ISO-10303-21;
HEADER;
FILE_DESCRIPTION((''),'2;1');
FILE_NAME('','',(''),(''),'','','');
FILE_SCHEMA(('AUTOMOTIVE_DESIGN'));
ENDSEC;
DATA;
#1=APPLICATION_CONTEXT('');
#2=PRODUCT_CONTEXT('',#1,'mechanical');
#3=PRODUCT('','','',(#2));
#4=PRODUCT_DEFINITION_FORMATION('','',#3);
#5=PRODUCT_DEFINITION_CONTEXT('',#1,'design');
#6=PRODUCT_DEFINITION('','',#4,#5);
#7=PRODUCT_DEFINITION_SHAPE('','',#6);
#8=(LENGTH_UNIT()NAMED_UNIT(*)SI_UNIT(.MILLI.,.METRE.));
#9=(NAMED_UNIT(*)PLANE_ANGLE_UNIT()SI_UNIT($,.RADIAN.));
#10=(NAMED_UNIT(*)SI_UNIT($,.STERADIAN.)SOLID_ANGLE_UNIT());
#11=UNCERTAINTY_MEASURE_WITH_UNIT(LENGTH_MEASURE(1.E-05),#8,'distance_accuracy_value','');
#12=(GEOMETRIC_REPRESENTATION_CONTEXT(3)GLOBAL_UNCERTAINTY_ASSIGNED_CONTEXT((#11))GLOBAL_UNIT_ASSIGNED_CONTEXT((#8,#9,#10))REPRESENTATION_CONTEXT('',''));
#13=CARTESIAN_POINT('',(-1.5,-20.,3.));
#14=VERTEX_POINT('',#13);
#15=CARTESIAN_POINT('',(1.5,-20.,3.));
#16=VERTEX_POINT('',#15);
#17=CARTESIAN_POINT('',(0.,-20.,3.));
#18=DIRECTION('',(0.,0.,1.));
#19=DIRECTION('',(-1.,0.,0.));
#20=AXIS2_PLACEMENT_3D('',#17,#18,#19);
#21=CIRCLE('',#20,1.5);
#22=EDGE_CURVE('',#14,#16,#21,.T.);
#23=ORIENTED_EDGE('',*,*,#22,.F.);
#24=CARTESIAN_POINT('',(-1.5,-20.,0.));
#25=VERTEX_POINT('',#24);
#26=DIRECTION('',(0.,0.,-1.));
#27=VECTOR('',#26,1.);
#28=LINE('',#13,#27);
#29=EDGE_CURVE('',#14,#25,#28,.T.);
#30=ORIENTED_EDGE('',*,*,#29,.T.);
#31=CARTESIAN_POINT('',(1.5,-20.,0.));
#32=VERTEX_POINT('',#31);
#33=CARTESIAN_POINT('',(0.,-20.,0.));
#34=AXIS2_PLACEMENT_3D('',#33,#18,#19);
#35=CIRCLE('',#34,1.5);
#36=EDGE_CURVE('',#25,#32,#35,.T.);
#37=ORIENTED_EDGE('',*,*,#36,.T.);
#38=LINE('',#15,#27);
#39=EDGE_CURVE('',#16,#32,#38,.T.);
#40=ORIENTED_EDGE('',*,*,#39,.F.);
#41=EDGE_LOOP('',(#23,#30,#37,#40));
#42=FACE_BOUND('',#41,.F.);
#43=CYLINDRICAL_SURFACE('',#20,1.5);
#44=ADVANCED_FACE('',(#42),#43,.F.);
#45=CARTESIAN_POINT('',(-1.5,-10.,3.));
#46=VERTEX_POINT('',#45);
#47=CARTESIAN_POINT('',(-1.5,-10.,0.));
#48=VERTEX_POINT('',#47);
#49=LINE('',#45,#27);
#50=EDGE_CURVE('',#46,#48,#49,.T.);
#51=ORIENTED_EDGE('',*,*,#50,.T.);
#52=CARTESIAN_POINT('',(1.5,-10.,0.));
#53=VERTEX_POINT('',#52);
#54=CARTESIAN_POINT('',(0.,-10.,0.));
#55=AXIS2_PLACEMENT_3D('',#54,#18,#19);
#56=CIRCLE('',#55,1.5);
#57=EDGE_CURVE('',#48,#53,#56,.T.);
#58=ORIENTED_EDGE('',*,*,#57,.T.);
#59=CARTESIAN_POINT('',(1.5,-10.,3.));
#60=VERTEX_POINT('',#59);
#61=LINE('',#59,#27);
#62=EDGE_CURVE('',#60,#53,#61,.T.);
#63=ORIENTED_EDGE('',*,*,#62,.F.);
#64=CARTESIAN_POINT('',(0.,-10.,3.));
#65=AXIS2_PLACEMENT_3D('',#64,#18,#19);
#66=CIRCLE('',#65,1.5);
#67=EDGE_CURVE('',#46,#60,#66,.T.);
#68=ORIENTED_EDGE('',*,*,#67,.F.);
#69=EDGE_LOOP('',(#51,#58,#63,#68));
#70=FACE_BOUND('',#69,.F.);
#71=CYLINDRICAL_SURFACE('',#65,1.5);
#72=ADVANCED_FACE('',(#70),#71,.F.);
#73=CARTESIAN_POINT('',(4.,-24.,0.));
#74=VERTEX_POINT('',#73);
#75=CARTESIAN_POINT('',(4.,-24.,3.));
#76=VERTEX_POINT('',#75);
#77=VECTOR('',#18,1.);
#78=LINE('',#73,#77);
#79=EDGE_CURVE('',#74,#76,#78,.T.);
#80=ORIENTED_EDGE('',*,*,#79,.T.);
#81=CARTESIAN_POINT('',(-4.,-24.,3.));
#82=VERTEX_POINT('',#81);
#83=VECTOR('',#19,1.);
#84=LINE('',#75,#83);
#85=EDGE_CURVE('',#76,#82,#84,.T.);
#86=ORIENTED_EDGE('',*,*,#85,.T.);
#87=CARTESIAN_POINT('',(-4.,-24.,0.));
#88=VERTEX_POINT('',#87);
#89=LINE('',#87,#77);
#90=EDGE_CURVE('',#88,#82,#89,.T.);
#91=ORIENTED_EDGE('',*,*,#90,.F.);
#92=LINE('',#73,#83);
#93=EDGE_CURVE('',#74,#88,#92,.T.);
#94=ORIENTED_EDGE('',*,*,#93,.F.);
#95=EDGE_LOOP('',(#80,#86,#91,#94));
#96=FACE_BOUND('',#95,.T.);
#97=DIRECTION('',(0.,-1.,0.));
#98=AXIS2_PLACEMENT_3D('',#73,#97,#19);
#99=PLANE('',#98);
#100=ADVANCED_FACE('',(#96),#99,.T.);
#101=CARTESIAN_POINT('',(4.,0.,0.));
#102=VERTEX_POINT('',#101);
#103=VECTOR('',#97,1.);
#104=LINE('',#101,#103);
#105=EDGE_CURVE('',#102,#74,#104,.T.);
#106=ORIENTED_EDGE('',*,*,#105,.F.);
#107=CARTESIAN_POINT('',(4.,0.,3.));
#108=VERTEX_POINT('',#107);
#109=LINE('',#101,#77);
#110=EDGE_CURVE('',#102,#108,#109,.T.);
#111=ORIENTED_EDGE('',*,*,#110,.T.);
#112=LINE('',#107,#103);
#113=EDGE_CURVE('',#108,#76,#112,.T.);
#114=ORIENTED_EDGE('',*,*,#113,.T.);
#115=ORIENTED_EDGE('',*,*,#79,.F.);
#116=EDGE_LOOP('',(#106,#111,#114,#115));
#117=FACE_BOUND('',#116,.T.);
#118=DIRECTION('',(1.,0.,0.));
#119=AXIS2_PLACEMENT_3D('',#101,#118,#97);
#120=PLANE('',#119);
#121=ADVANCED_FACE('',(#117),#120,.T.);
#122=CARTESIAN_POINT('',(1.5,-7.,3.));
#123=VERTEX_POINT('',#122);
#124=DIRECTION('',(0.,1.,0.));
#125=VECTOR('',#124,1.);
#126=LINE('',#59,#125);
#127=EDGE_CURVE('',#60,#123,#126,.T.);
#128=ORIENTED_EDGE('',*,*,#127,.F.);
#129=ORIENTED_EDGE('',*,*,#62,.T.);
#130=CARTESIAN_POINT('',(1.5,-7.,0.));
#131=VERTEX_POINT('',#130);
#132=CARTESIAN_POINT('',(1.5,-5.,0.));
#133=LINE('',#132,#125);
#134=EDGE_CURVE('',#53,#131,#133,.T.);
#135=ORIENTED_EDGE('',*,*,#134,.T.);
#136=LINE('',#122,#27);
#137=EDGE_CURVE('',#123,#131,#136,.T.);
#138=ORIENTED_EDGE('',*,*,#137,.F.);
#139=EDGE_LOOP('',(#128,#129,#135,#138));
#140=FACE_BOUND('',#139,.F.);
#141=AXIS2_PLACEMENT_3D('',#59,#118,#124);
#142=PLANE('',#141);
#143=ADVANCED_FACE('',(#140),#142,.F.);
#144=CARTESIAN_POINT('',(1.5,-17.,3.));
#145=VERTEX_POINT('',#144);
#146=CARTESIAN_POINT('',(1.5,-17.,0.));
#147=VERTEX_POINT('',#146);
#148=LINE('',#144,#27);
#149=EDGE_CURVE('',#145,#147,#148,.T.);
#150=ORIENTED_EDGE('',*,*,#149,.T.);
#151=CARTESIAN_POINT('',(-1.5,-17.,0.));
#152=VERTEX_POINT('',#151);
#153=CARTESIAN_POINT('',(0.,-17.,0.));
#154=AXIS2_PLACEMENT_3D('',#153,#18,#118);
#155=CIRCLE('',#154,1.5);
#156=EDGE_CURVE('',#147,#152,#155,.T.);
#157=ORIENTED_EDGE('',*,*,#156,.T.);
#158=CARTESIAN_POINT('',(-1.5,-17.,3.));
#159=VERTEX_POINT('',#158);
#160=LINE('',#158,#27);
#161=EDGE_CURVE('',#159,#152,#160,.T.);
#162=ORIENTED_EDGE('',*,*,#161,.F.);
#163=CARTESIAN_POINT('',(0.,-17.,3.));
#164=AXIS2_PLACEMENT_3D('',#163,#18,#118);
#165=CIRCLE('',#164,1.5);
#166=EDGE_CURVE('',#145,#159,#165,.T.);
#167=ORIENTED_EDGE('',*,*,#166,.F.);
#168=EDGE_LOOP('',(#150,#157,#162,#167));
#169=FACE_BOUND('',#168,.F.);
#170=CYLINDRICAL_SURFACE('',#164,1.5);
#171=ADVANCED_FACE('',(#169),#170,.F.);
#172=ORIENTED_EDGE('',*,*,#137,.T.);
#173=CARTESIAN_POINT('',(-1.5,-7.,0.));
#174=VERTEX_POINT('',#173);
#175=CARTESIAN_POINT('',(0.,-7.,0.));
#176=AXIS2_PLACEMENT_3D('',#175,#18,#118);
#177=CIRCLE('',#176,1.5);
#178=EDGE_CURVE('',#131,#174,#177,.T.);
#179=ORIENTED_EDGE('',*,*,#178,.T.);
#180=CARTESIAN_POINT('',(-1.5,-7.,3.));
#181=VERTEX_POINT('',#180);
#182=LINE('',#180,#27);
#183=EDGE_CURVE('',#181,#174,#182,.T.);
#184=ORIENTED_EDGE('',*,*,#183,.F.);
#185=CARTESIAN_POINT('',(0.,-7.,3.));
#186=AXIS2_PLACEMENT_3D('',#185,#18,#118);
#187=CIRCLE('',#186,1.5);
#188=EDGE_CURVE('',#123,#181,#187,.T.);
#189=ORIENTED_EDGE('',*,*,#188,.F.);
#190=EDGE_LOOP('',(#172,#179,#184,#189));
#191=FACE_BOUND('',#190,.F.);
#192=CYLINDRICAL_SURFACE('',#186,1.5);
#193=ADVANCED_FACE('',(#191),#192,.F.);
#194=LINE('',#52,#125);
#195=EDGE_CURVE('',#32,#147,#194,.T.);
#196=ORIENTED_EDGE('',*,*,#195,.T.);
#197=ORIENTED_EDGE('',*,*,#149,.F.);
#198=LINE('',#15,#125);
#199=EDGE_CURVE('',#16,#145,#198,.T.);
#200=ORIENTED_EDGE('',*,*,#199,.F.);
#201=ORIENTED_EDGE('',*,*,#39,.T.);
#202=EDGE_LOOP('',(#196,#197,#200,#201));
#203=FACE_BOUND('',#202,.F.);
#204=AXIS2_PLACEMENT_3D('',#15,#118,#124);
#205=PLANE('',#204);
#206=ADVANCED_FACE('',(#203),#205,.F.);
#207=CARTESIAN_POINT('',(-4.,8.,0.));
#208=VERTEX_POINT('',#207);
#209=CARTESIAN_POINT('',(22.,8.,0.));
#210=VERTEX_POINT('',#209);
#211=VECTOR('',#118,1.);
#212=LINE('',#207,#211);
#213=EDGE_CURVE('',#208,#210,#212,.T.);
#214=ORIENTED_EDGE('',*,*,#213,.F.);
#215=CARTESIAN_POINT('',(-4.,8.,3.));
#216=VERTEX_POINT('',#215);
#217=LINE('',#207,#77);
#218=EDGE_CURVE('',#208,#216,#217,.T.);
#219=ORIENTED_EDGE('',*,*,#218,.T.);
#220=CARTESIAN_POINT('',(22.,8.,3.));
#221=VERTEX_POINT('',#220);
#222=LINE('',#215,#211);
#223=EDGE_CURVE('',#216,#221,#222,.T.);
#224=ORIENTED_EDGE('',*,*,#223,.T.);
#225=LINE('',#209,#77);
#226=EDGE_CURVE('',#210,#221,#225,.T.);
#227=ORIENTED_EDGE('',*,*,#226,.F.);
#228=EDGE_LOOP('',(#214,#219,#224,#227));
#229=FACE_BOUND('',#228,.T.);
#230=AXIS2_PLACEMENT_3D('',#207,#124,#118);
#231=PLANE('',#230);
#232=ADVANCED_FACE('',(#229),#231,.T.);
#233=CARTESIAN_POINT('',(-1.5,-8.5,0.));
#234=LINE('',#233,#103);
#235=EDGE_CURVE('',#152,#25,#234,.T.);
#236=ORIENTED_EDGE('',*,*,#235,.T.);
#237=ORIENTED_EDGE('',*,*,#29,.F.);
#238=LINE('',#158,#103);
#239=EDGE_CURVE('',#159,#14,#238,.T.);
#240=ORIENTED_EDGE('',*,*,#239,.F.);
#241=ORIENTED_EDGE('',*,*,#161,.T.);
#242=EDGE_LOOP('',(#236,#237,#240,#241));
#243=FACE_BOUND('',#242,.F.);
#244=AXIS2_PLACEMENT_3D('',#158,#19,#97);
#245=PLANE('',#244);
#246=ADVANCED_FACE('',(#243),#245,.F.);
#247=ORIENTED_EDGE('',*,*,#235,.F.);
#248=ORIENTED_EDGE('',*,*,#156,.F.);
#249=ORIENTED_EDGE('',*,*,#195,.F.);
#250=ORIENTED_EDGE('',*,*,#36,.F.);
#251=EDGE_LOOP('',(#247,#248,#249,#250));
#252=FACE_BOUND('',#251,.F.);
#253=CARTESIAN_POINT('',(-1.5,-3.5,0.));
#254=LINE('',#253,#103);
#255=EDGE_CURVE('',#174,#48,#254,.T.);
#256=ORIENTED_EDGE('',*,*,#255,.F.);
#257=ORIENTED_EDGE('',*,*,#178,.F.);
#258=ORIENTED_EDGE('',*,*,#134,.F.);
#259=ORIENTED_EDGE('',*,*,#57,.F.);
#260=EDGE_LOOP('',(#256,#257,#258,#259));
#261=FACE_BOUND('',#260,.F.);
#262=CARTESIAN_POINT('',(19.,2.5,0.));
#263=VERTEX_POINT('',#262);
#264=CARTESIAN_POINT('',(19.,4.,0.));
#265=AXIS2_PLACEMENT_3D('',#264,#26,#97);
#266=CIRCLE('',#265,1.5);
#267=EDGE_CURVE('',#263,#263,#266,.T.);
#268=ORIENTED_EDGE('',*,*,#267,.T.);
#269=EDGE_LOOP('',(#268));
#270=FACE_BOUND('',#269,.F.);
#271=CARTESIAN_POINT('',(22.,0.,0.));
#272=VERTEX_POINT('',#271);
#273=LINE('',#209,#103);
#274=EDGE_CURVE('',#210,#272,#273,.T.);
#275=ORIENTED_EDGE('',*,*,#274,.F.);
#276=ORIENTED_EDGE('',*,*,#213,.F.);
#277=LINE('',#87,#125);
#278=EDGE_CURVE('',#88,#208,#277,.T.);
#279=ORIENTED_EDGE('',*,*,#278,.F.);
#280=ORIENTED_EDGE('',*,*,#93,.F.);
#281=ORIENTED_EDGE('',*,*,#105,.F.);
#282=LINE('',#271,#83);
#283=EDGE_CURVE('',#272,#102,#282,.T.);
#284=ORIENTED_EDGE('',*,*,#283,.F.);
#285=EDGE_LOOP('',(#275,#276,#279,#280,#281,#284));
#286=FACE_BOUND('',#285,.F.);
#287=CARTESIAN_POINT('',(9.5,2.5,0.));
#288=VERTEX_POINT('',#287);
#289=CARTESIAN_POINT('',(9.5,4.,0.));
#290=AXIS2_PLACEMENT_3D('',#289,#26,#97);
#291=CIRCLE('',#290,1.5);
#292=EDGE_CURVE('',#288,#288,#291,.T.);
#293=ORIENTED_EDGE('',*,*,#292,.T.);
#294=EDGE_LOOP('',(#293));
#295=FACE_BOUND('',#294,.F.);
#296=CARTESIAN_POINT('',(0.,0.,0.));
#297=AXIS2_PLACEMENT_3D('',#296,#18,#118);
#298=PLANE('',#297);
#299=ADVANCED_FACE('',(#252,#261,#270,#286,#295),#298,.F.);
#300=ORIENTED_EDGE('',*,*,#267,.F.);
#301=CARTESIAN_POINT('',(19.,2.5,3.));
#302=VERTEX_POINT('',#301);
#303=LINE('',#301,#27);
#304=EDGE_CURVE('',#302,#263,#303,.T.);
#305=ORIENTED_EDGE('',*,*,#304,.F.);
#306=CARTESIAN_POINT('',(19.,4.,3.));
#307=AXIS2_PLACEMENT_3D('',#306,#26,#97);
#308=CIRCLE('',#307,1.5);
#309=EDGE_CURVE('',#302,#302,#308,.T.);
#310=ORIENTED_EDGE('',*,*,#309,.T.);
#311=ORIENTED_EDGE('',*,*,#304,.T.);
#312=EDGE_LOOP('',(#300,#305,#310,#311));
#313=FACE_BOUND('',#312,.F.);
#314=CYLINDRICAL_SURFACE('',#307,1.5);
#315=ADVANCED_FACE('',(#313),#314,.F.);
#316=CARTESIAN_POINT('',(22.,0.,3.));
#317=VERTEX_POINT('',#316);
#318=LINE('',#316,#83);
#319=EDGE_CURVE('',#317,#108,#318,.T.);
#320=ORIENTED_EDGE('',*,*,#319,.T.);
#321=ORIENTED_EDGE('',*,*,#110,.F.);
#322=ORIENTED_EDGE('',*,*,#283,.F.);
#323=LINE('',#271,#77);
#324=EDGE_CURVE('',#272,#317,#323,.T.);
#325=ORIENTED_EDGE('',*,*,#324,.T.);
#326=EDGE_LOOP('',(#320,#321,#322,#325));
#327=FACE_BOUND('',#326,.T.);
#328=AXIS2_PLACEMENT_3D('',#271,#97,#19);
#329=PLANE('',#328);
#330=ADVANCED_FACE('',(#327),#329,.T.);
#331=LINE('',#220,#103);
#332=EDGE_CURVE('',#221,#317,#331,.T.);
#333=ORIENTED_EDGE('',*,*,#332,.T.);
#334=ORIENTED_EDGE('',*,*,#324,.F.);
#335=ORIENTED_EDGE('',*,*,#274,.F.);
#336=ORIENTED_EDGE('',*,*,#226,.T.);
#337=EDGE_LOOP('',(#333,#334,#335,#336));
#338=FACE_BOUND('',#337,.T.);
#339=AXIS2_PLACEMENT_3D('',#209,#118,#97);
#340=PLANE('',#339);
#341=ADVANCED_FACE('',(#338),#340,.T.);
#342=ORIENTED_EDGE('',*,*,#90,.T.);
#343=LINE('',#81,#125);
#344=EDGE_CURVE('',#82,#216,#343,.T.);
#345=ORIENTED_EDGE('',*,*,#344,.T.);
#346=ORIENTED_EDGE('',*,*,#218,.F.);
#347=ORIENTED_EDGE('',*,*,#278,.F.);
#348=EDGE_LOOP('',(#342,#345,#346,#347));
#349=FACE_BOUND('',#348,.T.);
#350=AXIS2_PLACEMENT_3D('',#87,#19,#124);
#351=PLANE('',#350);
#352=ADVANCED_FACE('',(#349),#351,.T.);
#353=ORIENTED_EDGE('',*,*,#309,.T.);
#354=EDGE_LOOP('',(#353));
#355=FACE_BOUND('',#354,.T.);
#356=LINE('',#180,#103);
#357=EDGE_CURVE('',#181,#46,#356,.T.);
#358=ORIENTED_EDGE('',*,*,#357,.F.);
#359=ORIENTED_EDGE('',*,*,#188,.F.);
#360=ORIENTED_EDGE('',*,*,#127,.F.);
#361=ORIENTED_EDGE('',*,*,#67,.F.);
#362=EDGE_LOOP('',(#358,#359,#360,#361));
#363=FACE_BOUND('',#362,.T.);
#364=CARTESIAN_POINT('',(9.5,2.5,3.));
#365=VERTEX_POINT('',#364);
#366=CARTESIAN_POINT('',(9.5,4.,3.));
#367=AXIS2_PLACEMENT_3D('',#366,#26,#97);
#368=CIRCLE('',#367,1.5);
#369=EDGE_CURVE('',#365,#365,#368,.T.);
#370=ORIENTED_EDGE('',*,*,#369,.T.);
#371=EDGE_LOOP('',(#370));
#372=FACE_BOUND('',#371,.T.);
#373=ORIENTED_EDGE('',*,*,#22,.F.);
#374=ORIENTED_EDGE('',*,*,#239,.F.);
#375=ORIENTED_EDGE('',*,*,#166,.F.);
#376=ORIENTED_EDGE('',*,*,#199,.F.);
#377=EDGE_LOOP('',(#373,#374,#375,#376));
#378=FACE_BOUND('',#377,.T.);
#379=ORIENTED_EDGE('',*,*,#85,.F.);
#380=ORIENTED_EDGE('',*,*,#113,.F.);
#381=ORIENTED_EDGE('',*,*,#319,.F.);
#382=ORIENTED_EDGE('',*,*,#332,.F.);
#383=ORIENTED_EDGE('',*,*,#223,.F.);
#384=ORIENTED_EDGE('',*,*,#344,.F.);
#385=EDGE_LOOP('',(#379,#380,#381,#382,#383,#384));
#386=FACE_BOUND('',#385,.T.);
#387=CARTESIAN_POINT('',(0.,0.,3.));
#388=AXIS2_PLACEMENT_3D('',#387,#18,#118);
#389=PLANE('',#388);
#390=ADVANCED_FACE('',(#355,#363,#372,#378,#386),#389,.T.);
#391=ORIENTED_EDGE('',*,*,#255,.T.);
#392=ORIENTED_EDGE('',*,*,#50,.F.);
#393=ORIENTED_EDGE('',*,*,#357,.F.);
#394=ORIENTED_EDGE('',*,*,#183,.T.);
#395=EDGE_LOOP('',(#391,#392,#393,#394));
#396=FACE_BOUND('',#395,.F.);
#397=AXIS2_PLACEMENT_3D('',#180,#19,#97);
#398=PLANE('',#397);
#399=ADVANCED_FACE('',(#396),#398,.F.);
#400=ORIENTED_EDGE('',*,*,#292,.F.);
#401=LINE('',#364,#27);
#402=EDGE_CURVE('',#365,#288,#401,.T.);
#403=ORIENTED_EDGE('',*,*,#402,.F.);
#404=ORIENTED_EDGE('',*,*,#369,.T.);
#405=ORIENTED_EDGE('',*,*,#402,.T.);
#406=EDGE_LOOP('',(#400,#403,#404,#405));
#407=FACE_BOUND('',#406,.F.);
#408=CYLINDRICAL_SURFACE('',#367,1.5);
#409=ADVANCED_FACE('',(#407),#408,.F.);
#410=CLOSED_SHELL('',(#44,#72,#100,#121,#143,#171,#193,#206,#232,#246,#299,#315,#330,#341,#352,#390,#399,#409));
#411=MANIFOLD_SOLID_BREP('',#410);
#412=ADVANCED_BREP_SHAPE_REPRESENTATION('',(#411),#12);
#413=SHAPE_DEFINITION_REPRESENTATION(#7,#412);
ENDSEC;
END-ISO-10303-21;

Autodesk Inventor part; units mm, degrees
ref_plane "YZ Plane" through (0, 0, 0) normal (1, 0, 0) x (0, 1, 0)
ref_plane "XZ Plane" through (0, 0, 0) normal (0, 1, 0) x (-1, 0, 0)
ref_plane "XY Plane" through (0, 0, 0) normal (0, 0, 1) x (1, 0, 0)
sketch "Sketch1" plane through (0, 0, 0) normal (0, 0, 1) x (1, 0, 0)
  line L0 (-4, -24) -> (-4, 8)
  line L1 (-4, 8) -> (22, 8)
  line L2 (22, 8) -> (22, 0)
  line L3 (22, 0) -> (4, 0)
  line L4 (4, 0) -> (4, -24)
  line L5 (4, -24) -> (-4, -24)
  point P0 (0, 0)
  dimension "d0" = 0
  dimension "d1" = 8
  dimension "d2" = 8
  dimension "d3" = 4
  dimension "d5" = 26
  dimension "d6" = 32
extrude "Extrusion1" add sketch "Sketch1" along normal blind 3
sketch "Sketch2" plane through (0, 0, 3) normal (0, 0, 1) x (1, 0, 0)
  circle A0 centre (0, 4) radius 1.5
  circle A1 centre (19, 4) radius 1.5
  circle A2 centre (0, -6) radius 1.5
  circle A3 centre (9.5, 4) radius 1.5
  line L0 (-4, 8) -> (-4, -24) projected
  point P0 (0, 0)
  dimension "d9" = 3
  dimension "d10" = 3
  dimension "d11" = 3
  dimension "d12" = 10
  dimension "d15" = 4
  dimension "d24" = 9.5
  dimension "d25" = 13.5
hole "Hole1" at (9.5, 4, 3) at (19, 4, 3) direction (0, 0, -1) diameter 3 end through all
sketch "Sketch3" plane through (0, 0, 3) normal (0, 0, 1) x (1, 0, 0)
  line L0 (0, -7) -> (0, -10) construction
  line L1 (-1.5, -7) -> (-1.5, -10)
  line L2 (1.5, -10) -> (1.5, -7)
  arc A0 (1.5, -7) -> (-1.5, -7) centre (0, -7) ccw
  arc A1 (-1.5, -10) -> (1.5, -10) centre (0, -10) ccw
  line L3 (0, -17) -> (0, -20) construction
  line L4 (-1.5, -17) -> (-1.5, -20)
  line L5 (1.5, -20) -> (1.5, -17)
  arc A2 (1.5, -17) -> (-1.5, -17) centre (0, -17) ccw
  arc A3 (-1.5, -20) -> (1.5, -20) centre (0, -20) ccw
  point P0 (0, 0)
  point P1 (0, -8.5)
  point P2 (0, -18.5)
  dimension "d26" = 3
  dimension "d27" = 3
  dimension "d29" = 10
  dimension "d32" = 7
extrude "Extrusion2" cut sketch "Sketch3" against normal through all
equation "\"d3\" = 0.5 * d2"
equation "\"d16\" = d11"
properties part number "Gripper_Endstop_Holder" material "Aluminum 6061"
